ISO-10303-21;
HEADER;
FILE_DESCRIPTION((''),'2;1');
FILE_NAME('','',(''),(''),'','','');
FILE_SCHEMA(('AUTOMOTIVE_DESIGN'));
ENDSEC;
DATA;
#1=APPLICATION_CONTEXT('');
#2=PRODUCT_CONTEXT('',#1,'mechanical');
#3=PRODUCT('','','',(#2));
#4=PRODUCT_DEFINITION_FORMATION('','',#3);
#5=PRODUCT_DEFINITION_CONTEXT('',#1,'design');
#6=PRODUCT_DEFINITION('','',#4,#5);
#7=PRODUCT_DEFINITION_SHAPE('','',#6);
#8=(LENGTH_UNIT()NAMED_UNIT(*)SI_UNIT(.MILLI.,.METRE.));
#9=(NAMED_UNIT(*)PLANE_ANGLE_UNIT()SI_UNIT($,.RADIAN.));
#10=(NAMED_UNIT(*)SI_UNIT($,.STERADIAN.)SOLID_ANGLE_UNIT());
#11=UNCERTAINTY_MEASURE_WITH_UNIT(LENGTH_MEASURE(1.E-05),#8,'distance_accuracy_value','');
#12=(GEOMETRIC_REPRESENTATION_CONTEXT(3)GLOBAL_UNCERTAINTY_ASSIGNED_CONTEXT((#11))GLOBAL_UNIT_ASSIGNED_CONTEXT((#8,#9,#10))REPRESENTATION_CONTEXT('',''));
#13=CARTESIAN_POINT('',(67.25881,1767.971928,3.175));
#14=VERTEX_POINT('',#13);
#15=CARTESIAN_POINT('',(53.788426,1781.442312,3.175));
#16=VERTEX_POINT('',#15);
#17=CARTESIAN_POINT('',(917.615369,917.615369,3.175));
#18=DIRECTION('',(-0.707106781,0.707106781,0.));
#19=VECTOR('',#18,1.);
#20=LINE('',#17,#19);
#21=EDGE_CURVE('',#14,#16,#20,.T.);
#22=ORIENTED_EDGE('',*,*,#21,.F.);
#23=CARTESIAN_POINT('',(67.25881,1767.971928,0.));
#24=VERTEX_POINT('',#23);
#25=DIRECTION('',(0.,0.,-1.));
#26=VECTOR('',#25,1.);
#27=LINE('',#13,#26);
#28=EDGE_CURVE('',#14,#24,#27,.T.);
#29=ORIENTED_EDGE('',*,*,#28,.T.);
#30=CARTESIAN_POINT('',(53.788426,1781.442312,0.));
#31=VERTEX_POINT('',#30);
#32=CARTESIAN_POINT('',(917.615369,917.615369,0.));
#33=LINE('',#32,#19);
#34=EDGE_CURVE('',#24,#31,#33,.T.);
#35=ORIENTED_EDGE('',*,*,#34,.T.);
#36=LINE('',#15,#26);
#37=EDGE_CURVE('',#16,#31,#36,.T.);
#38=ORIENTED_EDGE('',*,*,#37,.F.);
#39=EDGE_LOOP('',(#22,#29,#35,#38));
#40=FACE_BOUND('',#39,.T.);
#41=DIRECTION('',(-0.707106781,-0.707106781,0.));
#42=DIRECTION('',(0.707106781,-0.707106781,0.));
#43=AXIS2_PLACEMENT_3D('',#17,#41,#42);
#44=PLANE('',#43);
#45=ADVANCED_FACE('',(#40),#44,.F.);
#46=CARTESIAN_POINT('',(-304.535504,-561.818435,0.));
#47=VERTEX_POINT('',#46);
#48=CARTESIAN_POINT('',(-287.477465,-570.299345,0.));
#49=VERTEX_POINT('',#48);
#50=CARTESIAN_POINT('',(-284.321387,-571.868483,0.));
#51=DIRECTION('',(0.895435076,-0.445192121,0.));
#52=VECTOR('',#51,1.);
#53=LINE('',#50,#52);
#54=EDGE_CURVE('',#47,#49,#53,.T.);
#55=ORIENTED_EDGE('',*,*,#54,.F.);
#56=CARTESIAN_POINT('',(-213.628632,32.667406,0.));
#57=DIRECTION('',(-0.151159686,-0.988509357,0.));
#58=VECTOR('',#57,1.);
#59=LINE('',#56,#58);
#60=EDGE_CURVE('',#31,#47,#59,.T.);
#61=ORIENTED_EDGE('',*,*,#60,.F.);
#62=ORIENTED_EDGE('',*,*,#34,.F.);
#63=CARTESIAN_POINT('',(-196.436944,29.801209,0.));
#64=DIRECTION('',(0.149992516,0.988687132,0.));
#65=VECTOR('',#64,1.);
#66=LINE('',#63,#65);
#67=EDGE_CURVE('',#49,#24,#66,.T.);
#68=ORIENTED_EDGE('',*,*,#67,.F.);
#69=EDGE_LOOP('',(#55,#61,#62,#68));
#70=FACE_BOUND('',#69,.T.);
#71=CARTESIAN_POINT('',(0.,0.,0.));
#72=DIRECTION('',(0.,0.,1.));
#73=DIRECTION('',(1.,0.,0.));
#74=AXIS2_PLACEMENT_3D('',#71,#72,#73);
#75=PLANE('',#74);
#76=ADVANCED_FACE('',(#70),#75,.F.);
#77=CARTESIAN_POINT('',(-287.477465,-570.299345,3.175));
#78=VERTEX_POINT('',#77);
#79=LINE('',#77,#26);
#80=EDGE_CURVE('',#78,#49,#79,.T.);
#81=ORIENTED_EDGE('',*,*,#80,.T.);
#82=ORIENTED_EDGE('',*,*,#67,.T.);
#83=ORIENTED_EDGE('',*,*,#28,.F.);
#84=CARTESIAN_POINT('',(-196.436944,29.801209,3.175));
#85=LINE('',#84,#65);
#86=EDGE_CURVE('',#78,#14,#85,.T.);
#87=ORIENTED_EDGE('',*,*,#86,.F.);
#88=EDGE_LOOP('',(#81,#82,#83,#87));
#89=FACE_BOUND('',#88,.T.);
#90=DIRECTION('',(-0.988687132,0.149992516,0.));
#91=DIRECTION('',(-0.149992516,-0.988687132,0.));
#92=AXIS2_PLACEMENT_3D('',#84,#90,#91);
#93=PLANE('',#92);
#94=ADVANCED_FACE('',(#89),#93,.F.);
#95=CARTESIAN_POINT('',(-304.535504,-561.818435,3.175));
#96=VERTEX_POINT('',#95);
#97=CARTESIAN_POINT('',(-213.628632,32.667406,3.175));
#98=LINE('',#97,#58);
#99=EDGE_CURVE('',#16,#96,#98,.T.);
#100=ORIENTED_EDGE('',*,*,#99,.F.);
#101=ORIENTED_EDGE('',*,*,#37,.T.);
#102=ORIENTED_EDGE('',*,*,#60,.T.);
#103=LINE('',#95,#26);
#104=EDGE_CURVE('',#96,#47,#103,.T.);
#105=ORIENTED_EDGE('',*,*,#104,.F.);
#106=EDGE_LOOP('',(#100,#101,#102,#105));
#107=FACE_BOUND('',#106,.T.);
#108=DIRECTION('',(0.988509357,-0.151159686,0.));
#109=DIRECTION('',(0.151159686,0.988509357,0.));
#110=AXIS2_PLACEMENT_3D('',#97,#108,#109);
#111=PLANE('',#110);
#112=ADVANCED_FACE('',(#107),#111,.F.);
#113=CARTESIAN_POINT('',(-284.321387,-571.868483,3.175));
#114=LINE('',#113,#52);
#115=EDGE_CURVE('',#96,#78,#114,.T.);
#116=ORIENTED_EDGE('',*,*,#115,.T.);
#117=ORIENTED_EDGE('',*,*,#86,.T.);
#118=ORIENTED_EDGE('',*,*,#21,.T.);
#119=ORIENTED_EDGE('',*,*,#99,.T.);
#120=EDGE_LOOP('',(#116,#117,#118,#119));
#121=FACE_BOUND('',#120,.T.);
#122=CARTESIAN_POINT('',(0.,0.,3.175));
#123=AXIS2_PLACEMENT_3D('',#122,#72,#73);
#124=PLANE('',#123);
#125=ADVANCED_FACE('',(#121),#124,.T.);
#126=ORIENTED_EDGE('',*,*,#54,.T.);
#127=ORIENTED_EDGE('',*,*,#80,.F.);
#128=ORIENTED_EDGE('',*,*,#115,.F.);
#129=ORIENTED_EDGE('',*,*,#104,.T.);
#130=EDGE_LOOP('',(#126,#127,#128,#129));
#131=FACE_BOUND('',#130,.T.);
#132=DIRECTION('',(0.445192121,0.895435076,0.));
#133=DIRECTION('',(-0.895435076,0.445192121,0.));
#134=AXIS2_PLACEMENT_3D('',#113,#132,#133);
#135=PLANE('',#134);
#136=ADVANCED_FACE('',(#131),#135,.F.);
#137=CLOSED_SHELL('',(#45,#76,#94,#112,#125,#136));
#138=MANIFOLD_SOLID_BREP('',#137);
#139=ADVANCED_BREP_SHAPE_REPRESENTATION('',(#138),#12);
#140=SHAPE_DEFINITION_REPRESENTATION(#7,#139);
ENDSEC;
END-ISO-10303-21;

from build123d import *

# Parameters (mm, degrees)
BOSS_EXTRUDE1_DEPTH = 3.175


with BuildPart() as part:
    # Sketch2 → Boss-Extrude1 (new body)
    with BuildSketch(Plane.XY):
        Polygon((-304.535503681, -561.818435466), (-296.006484581, -566.058890417), (60.523618349, 1774.707119827), (53.788426259, 1781.442311918), align=None)
        Polygon((60.523618349, 1774.707119827), (-296.006484581, -566.058890417), (-287.477465482, -570.299345369), (67.25881044, 1767.971927737), align=None)
    extrude(amount=BOSS_EXTRUDE1_DEPTH)


solid = part.part
